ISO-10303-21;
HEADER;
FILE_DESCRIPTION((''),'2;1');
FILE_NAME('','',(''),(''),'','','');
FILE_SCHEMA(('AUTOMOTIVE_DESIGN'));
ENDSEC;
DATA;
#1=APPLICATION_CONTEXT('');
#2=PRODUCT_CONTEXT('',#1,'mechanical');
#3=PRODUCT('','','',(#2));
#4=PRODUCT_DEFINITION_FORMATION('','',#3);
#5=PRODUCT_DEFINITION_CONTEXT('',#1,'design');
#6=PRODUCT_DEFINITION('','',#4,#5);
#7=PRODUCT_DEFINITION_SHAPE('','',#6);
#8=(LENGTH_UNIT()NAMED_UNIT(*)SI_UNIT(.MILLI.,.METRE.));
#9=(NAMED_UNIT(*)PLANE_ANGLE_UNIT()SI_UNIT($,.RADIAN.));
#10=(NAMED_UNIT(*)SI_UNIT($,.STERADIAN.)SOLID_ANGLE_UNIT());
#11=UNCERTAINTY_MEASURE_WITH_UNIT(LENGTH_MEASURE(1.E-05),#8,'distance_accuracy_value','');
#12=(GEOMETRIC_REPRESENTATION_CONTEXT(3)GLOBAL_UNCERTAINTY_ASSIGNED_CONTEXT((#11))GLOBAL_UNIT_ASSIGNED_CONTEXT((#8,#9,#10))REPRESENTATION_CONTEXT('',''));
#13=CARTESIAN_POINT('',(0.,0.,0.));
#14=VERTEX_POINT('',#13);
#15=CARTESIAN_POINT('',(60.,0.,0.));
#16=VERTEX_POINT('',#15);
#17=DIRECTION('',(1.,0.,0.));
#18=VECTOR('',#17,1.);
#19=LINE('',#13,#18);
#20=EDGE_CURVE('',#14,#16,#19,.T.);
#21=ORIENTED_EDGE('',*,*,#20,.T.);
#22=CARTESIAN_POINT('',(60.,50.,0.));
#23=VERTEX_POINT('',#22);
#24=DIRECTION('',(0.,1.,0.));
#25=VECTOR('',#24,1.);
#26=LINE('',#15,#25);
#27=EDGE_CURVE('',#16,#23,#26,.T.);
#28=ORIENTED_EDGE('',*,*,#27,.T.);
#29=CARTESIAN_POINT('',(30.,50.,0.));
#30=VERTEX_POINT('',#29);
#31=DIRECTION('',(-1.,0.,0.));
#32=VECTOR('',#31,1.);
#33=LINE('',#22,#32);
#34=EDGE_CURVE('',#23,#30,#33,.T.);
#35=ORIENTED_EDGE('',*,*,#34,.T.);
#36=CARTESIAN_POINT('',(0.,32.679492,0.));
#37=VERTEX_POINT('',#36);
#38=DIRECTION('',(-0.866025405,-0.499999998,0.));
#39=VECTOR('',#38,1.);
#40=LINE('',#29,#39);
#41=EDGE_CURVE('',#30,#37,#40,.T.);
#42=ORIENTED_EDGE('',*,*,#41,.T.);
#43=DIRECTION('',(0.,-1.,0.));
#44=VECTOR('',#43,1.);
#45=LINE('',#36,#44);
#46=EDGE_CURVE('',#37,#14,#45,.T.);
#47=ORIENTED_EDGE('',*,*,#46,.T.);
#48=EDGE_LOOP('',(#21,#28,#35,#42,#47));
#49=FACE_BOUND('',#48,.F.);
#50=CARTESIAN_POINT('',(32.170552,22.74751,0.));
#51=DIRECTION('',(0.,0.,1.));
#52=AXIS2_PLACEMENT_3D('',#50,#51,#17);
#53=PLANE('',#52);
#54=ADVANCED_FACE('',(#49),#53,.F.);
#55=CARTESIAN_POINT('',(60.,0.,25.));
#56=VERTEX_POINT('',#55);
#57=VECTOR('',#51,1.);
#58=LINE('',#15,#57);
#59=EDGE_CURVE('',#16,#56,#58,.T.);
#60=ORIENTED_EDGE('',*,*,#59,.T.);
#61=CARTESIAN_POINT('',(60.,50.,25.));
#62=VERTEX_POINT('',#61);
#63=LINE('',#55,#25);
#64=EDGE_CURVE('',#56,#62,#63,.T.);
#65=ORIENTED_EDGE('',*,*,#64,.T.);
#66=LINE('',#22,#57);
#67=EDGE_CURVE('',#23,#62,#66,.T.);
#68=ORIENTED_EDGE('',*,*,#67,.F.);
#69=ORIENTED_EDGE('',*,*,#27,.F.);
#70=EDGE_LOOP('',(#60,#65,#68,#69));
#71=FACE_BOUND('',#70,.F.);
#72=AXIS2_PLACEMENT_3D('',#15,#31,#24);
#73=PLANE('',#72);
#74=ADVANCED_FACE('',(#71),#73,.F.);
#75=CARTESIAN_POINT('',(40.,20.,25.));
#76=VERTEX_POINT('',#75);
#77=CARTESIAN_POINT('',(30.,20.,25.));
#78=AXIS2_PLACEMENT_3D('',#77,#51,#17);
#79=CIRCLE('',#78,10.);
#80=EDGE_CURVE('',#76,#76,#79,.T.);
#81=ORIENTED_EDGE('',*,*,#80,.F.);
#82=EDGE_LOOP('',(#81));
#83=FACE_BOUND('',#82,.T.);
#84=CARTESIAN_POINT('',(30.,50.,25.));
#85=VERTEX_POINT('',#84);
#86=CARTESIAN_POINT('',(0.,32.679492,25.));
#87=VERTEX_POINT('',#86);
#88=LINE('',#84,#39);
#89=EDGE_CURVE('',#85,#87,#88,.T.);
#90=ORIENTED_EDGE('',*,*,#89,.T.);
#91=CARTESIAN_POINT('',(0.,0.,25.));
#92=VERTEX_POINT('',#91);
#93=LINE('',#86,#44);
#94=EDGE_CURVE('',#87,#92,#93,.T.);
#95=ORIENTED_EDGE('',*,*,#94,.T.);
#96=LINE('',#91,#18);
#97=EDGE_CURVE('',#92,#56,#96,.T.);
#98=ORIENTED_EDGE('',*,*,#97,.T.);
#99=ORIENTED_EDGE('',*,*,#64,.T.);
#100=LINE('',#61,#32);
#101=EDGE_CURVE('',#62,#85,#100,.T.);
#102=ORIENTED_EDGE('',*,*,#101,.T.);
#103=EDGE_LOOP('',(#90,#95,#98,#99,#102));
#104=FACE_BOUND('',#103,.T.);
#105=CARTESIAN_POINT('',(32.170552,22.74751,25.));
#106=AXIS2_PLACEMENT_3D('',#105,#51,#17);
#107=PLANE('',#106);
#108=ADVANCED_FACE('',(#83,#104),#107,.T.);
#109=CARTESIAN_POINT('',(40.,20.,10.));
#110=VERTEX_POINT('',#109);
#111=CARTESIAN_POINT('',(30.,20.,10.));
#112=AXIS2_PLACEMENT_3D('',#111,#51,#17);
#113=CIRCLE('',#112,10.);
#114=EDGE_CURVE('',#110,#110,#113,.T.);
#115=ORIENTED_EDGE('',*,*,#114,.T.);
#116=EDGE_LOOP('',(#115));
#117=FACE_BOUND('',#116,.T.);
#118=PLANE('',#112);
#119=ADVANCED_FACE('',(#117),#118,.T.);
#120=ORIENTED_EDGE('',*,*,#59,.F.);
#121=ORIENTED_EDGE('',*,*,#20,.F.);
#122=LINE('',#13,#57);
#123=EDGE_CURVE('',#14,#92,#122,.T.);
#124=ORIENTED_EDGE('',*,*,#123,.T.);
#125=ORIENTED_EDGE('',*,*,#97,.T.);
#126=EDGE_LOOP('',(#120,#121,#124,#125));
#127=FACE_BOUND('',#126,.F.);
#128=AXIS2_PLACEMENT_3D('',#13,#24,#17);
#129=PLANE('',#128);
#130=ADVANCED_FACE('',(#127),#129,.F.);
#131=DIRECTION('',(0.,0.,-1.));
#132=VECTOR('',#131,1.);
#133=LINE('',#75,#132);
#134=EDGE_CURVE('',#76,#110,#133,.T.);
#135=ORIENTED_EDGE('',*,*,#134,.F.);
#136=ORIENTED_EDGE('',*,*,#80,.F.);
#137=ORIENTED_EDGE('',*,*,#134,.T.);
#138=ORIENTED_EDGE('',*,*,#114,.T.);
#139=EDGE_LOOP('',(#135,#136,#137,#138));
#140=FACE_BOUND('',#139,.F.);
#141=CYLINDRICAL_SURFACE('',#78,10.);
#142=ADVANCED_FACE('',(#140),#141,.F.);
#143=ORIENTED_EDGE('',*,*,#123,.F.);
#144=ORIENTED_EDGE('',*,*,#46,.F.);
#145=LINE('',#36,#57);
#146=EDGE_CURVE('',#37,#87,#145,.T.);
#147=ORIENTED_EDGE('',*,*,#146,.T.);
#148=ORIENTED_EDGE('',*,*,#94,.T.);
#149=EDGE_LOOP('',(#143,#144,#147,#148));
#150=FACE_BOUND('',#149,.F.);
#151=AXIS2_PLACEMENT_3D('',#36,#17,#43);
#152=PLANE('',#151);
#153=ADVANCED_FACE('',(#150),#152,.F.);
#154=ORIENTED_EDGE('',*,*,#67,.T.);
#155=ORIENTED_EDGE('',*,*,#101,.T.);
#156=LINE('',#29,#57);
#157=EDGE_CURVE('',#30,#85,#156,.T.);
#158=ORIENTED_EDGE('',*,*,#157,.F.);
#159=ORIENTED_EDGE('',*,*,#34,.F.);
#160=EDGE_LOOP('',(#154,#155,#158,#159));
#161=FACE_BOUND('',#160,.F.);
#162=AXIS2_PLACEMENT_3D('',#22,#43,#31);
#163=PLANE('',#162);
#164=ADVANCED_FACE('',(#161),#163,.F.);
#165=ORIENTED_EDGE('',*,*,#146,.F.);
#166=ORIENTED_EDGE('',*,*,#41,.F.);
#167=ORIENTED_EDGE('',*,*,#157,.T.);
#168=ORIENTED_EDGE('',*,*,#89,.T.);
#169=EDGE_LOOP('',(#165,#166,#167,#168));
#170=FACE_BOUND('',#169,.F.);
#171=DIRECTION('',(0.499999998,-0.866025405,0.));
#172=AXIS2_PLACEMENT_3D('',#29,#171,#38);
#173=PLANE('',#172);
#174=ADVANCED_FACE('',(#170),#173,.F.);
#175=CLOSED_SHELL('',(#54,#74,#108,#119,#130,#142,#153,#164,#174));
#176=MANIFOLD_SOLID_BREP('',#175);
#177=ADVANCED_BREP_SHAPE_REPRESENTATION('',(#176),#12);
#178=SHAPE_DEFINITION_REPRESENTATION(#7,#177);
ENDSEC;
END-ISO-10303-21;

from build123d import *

# Parameters (mm, degrees)
F1_DEPTH = 25
F2_R     = 10
F3_DEPTH = 15


with BuildPart() as f1:
    # F0 (on Top) → F1 (new body)
    with BuildSketch(Plane.XY):
        Polygon((0, 32.679492), (0, 0), (60, 0), (60, 50), (30, 50), align=None)
    extrude(amount=F1_DEPTH)

    # F2 (on face) → F3 (cut)
    with BuildSketch(Plane.XY.offset(25)):
        with Locations((30, 20)):
            Circle(F2_R)
    extrude(amount=-F3_DEPTH, mode=Mode.SUBTRACT)


solid = f1.part
